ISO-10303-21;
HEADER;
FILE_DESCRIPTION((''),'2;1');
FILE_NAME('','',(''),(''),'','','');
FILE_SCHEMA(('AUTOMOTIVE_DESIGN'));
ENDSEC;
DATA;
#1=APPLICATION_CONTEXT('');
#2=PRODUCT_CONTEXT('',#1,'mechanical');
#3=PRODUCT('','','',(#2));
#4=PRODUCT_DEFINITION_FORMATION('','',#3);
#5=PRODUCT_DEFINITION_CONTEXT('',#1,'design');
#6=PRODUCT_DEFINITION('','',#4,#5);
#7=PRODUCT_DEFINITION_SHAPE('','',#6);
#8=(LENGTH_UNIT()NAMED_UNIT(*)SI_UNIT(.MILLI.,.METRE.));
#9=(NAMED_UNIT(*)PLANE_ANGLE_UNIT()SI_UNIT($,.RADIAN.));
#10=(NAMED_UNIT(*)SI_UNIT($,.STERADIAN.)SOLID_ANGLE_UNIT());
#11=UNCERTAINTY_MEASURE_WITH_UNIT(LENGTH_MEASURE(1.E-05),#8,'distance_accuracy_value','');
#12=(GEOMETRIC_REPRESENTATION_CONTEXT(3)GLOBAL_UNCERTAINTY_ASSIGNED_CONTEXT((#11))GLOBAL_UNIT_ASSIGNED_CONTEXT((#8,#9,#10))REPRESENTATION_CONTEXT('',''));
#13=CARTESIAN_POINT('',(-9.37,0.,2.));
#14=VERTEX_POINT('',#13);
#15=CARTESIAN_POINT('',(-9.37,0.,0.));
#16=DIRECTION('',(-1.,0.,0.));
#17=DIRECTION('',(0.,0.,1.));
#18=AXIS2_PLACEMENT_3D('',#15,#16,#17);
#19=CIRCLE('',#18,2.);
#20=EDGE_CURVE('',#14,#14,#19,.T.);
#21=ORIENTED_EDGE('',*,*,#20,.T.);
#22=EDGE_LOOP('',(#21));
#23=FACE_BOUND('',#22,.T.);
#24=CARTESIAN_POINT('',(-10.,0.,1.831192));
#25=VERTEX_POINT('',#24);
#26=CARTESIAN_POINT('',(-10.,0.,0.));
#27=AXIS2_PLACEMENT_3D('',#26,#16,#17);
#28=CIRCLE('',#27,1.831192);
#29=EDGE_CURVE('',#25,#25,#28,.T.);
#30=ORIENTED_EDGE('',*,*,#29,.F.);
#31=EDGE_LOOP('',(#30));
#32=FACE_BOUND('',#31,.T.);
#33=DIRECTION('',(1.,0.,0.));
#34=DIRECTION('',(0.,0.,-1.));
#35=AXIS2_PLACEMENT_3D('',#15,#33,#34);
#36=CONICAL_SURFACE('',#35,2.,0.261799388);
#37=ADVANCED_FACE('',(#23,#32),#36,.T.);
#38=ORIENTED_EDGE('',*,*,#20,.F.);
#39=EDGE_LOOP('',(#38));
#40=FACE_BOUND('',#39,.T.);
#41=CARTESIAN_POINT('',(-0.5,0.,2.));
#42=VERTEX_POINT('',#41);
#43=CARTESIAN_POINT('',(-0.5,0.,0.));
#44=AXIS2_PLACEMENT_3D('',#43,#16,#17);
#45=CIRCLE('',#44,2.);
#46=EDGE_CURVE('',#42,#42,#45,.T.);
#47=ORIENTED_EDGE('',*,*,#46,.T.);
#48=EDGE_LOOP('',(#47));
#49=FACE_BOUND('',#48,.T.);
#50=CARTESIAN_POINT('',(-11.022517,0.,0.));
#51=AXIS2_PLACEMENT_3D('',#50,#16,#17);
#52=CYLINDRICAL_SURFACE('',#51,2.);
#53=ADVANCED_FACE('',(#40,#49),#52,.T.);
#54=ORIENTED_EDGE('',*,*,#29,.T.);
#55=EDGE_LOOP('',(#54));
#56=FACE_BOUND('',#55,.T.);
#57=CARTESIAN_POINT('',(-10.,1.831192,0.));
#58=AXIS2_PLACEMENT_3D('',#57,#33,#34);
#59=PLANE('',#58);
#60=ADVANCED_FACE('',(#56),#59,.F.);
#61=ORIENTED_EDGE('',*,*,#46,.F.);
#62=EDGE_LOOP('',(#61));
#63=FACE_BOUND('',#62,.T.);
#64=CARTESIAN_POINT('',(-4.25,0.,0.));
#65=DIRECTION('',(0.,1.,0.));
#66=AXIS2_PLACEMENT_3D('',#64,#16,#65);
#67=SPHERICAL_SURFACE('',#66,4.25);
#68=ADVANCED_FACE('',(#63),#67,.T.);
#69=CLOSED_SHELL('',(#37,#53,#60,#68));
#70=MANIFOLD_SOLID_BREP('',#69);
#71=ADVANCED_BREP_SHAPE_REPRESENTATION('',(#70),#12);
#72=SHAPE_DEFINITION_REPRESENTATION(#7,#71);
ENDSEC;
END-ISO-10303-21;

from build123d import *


with BuildPart() as part:
    # Эскиз1 → Повернуть1 (revolve)
    with BuildSketch(Plane.XY, mode=Mode.PRIVATE) as revolve_1_sk:
        with BuildLine():
            Line((-0.5, 2), (-9.37, 2))
            Line((-9.37, 2), (-10, 1.831192009))
            Line((-10, 1.831192009), (-10, 0))
            Line((-10, 0), (0, 0))
            ThreePointArc((0, 0), (-0.126894374, 1.030776406), (-0.5, 2))
        make_face()
    revolve(revolve_1_sk.sketch.rotate(Axis((-11.022517244, 0, 0), (1, 0, 0)), 90), axis=Axis((-11.022517244, 0, 0), (1, 0, 0)))


solid = part.part
